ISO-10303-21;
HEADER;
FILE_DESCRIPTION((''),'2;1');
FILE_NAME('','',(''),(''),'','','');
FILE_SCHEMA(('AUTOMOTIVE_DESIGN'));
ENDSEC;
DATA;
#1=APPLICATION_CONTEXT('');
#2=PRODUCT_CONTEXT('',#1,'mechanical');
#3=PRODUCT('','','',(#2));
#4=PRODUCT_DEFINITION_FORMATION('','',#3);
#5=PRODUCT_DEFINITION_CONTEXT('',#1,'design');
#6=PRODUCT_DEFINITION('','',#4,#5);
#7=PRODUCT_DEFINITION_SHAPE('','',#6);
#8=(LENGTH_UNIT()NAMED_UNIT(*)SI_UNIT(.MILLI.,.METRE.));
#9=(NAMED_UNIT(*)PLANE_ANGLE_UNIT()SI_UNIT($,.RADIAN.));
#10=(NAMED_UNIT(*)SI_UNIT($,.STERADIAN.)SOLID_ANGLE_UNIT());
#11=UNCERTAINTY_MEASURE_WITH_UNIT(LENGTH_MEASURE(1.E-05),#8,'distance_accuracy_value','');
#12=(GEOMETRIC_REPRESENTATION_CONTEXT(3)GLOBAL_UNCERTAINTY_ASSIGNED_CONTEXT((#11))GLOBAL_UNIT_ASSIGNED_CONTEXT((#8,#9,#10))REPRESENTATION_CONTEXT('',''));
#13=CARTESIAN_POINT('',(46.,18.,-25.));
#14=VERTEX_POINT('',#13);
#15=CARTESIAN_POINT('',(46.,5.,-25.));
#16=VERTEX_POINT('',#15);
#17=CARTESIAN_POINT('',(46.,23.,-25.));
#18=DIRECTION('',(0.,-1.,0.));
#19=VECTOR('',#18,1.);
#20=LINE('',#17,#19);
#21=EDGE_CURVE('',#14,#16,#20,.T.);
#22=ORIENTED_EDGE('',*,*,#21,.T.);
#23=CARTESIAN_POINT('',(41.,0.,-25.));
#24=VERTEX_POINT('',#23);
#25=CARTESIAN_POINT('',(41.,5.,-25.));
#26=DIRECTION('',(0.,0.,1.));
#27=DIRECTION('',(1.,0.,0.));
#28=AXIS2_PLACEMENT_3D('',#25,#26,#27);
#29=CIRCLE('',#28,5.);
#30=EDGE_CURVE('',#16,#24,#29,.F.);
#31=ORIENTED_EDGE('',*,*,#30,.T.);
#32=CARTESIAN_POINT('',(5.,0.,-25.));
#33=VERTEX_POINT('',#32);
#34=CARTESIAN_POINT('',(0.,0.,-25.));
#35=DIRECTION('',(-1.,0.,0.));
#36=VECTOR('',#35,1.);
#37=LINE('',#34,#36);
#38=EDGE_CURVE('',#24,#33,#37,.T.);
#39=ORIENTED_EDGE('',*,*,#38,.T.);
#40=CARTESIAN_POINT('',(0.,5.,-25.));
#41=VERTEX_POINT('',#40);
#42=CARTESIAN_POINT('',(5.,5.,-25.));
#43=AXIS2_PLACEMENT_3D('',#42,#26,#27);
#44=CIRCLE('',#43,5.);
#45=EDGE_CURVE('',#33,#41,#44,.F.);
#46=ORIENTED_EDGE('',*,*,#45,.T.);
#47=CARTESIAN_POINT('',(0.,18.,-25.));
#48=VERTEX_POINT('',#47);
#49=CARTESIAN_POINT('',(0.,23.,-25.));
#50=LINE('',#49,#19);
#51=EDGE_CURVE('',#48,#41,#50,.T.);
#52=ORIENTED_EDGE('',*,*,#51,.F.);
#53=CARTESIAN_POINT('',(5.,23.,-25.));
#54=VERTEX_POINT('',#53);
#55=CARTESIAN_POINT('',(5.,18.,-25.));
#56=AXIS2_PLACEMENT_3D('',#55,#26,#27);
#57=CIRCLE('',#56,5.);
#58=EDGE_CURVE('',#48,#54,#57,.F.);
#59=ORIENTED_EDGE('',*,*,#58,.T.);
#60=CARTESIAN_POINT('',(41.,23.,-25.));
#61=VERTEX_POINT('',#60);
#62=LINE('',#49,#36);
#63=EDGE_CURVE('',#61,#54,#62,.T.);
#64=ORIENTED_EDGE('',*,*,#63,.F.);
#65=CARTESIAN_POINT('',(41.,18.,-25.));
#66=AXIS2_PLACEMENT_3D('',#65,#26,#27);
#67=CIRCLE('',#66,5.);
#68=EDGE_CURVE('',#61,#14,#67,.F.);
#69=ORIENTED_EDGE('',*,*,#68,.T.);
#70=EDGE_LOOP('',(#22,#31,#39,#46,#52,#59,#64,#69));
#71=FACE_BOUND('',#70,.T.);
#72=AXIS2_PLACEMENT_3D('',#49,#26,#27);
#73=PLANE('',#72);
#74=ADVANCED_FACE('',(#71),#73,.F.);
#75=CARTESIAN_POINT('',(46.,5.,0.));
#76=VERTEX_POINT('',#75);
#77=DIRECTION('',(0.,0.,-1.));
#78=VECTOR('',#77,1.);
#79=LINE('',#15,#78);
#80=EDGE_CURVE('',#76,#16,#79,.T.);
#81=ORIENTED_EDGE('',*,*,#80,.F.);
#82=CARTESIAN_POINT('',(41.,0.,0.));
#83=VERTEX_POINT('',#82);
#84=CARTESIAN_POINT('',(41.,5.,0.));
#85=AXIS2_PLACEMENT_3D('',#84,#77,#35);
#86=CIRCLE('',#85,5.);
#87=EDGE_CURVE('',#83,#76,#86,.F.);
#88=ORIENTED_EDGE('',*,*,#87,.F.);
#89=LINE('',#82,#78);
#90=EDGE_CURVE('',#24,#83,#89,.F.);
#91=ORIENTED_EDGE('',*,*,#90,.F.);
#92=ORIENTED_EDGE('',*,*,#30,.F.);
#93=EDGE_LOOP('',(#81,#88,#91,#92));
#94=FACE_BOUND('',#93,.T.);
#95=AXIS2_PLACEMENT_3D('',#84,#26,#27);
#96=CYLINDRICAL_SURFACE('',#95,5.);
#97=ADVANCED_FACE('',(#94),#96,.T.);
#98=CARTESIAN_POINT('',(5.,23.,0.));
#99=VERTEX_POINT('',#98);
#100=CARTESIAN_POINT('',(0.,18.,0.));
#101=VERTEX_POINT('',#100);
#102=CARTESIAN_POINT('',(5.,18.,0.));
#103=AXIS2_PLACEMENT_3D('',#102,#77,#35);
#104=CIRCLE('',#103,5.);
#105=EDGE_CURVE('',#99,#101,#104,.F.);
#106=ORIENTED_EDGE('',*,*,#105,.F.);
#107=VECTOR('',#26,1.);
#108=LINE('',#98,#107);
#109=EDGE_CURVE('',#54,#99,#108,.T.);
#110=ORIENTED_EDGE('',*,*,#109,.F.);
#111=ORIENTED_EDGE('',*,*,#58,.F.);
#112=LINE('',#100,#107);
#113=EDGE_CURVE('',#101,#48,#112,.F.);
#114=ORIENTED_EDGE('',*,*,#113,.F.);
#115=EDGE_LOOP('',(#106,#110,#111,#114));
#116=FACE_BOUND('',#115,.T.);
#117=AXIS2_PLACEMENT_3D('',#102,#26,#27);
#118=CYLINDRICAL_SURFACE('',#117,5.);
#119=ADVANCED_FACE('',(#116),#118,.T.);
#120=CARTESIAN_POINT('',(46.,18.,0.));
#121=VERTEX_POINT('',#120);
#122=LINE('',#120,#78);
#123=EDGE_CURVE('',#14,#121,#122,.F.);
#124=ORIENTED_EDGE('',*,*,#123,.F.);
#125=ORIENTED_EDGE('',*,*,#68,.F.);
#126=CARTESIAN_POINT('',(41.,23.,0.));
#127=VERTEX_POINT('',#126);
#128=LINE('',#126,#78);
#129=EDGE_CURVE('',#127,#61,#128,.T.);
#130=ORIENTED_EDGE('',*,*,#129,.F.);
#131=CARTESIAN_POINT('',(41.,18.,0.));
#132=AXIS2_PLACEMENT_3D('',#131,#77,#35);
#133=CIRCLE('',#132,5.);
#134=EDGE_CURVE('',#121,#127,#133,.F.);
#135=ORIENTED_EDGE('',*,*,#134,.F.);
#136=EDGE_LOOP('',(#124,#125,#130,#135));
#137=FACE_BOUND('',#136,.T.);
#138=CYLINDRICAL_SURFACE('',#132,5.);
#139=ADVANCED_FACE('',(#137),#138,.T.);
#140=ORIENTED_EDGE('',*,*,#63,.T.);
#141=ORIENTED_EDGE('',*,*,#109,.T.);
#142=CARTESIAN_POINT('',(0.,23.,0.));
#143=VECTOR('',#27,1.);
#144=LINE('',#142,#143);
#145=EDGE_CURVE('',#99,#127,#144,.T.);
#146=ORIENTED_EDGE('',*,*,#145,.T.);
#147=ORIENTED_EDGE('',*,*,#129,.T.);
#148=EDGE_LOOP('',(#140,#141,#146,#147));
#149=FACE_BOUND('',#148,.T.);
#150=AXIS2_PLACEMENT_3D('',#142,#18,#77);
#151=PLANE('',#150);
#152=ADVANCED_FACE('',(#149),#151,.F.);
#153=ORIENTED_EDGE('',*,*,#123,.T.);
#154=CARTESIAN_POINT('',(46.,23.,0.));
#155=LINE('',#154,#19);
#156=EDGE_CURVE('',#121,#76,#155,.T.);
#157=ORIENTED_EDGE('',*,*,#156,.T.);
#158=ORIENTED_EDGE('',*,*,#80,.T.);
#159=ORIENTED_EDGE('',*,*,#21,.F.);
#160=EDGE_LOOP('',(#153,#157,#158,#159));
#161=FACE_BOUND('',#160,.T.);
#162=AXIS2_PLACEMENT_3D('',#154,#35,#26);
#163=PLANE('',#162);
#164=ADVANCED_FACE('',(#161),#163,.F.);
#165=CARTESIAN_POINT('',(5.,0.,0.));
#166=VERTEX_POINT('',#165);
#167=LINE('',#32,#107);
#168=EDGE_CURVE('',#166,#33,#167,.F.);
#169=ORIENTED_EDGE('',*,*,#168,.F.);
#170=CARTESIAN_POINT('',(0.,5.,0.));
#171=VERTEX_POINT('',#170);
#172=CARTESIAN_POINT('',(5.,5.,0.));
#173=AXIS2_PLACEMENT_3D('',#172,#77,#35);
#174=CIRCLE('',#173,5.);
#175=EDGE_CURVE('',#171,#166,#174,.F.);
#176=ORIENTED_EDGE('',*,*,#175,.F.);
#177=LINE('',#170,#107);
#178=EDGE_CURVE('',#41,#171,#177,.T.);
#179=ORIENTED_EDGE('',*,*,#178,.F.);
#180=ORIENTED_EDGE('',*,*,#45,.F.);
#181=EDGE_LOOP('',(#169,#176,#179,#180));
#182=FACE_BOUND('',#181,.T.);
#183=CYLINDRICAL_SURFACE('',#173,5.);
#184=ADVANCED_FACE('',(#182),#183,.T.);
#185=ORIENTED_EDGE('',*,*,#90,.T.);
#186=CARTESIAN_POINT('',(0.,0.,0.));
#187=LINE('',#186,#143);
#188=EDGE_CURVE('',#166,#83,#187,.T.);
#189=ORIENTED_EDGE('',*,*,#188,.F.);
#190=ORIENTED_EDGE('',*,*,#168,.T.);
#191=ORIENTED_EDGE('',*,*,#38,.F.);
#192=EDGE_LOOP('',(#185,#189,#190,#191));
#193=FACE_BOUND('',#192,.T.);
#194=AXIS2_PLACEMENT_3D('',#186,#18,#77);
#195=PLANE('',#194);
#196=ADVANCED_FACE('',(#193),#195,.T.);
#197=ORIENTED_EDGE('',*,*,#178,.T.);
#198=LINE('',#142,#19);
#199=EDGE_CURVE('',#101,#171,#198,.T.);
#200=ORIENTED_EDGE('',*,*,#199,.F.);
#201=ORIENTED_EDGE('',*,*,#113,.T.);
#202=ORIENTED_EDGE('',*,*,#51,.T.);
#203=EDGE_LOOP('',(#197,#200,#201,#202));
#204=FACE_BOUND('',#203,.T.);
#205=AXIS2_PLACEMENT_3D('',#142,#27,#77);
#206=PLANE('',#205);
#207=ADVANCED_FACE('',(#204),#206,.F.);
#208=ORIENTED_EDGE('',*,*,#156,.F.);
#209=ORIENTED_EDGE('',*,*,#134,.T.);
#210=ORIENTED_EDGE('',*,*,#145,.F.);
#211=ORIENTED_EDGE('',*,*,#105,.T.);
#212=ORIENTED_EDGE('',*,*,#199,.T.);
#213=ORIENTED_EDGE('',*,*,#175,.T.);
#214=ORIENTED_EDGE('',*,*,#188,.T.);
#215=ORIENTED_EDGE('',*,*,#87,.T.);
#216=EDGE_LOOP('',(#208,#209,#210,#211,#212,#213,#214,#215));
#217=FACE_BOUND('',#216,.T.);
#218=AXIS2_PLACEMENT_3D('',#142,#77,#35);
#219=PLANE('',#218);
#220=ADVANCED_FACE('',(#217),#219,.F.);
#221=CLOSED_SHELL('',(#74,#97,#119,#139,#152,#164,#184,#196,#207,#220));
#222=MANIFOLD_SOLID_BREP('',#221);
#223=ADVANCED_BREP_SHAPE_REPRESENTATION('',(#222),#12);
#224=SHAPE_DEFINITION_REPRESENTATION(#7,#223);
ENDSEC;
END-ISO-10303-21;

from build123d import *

# Parameters (mm, degrees)
SKETCH1_W           = 46
SKETCH1_H           = 25
BOSS_EXTRUDE1_DEPTH = 23
FILLET1_R           = 5


with BuildPart() as part:
    # Sketch1 → Boss-Extrude1 (new body)
    with BuildSketch(Plane(origin=(0, 0, 0), x_dir=(1, 0, 0), z_dir=(0, 1, 0))):
        with Locations((23, 12.5)):
            Rectangle(SKETCH1_W, SKETCH1_H)
    extrude(amount=BOSS_EXTRUDE1_DEPTH)

    # Fillet1
    fillet1_edges = [part.edges().sort_by_distance(p)[0] for p in [
        (46, 23, -12.5),
        (0, 23, -12.5),
        (46, 0, -12.5),
        (0, 0, -12.5),
    ]]
    fillet(fillet1_edges, radius=FILLET1_R)


solid = part.part
